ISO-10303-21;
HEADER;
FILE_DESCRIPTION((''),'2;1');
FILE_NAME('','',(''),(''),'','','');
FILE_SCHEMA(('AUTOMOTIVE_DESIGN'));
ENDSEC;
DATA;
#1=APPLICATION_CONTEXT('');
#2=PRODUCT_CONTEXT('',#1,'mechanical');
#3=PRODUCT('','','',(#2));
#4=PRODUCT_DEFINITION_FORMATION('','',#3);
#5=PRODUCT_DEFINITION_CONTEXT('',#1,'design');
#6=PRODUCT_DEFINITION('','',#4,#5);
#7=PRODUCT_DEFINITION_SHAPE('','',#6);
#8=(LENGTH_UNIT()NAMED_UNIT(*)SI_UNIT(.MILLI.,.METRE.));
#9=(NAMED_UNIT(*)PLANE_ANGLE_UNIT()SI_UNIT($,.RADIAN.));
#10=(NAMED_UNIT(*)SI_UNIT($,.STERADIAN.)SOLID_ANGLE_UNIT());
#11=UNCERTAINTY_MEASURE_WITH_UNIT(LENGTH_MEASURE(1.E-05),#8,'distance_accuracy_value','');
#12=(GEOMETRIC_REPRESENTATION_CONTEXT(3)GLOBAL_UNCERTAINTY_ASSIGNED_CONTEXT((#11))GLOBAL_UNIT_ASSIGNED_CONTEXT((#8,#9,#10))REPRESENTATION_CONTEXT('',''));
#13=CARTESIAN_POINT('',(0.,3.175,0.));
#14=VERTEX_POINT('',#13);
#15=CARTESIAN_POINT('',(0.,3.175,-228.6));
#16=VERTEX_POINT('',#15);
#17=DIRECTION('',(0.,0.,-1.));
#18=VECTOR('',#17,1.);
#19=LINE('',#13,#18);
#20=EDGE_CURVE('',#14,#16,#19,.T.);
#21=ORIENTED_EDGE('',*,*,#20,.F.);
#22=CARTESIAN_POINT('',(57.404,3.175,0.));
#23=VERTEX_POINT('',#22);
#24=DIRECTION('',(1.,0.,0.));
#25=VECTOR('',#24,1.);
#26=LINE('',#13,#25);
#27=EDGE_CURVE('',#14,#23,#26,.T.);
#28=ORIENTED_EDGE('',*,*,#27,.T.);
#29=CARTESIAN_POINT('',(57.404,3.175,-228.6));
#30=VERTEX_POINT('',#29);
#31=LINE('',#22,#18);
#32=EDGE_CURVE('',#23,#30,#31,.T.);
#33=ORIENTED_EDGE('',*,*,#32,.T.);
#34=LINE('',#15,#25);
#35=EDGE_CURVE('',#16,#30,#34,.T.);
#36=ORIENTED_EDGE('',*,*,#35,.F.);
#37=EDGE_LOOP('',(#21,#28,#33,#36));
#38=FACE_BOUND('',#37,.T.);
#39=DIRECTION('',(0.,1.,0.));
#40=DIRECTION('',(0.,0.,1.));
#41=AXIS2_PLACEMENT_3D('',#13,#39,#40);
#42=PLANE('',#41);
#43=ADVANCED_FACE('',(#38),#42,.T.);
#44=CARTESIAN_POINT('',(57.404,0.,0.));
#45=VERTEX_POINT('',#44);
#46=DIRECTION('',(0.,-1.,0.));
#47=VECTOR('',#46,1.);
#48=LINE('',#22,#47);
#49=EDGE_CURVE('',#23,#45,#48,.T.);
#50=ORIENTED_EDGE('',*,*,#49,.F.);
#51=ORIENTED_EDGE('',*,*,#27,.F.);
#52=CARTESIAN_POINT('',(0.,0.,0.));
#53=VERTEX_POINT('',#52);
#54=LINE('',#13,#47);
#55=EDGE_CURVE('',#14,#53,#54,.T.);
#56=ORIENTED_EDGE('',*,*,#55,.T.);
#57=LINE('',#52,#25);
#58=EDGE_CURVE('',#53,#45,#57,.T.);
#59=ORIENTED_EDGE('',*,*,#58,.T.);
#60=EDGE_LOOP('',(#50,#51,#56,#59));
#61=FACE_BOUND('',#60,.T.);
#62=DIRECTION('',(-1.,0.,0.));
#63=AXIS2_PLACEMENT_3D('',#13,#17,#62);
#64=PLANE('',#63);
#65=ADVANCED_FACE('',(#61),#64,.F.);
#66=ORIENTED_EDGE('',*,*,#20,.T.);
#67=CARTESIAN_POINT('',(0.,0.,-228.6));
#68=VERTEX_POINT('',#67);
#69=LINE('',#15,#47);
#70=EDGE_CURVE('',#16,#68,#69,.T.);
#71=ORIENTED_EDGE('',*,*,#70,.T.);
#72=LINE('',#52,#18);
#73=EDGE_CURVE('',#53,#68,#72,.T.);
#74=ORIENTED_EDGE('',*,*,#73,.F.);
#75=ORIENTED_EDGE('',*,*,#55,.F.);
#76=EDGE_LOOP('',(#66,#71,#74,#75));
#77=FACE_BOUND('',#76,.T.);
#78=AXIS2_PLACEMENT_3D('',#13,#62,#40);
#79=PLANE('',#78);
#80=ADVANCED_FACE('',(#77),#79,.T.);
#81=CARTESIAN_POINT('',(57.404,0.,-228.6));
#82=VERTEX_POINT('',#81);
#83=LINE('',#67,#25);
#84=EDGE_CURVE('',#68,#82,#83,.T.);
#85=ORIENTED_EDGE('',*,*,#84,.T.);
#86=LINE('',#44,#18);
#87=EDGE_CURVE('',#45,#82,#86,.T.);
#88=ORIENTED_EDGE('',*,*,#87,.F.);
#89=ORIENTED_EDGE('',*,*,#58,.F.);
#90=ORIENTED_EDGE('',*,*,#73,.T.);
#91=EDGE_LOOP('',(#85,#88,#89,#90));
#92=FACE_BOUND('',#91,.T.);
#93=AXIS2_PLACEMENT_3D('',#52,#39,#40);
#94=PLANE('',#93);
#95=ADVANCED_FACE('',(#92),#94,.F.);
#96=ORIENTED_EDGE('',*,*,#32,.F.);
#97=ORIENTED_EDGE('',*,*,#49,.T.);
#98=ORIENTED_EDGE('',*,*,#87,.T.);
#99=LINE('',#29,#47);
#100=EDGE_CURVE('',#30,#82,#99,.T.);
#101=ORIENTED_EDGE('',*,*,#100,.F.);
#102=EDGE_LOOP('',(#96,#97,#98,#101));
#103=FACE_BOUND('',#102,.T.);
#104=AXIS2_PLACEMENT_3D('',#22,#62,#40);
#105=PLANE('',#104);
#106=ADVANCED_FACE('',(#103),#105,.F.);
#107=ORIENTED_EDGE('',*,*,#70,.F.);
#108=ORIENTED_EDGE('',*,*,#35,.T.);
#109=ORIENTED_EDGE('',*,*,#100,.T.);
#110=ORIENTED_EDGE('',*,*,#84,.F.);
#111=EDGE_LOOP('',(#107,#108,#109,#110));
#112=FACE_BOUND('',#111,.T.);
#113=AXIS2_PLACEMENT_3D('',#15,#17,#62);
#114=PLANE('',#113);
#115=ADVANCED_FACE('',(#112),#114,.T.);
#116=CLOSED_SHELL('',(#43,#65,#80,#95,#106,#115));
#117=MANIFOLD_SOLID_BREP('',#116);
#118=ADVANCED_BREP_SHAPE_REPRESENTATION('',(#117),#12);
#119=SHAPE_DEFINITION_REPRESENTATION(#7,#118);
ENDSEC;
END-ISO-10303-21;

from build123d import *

# Parameters (mm, degrees)
SKETCH1_W          = 57.404
SKETCH1_H          = 228.6
BASE_EXTRUDE_DEPTH = 3.175


with BuildPart() as part:
    # Sketch1 → Base extrude (new body)
    with BuildSketch(Plane(origin=(0, 0, 0), x_dir=(1, 0, 0), z_dir=(0, 1, 0))):
        with Locations((28.702, 114.3)):
            Rectangle(SKETCH1_W, SKETCH1_H)
    extrude(amount=BASE_EXTRUDE_DEPTH)


solid = part.part
